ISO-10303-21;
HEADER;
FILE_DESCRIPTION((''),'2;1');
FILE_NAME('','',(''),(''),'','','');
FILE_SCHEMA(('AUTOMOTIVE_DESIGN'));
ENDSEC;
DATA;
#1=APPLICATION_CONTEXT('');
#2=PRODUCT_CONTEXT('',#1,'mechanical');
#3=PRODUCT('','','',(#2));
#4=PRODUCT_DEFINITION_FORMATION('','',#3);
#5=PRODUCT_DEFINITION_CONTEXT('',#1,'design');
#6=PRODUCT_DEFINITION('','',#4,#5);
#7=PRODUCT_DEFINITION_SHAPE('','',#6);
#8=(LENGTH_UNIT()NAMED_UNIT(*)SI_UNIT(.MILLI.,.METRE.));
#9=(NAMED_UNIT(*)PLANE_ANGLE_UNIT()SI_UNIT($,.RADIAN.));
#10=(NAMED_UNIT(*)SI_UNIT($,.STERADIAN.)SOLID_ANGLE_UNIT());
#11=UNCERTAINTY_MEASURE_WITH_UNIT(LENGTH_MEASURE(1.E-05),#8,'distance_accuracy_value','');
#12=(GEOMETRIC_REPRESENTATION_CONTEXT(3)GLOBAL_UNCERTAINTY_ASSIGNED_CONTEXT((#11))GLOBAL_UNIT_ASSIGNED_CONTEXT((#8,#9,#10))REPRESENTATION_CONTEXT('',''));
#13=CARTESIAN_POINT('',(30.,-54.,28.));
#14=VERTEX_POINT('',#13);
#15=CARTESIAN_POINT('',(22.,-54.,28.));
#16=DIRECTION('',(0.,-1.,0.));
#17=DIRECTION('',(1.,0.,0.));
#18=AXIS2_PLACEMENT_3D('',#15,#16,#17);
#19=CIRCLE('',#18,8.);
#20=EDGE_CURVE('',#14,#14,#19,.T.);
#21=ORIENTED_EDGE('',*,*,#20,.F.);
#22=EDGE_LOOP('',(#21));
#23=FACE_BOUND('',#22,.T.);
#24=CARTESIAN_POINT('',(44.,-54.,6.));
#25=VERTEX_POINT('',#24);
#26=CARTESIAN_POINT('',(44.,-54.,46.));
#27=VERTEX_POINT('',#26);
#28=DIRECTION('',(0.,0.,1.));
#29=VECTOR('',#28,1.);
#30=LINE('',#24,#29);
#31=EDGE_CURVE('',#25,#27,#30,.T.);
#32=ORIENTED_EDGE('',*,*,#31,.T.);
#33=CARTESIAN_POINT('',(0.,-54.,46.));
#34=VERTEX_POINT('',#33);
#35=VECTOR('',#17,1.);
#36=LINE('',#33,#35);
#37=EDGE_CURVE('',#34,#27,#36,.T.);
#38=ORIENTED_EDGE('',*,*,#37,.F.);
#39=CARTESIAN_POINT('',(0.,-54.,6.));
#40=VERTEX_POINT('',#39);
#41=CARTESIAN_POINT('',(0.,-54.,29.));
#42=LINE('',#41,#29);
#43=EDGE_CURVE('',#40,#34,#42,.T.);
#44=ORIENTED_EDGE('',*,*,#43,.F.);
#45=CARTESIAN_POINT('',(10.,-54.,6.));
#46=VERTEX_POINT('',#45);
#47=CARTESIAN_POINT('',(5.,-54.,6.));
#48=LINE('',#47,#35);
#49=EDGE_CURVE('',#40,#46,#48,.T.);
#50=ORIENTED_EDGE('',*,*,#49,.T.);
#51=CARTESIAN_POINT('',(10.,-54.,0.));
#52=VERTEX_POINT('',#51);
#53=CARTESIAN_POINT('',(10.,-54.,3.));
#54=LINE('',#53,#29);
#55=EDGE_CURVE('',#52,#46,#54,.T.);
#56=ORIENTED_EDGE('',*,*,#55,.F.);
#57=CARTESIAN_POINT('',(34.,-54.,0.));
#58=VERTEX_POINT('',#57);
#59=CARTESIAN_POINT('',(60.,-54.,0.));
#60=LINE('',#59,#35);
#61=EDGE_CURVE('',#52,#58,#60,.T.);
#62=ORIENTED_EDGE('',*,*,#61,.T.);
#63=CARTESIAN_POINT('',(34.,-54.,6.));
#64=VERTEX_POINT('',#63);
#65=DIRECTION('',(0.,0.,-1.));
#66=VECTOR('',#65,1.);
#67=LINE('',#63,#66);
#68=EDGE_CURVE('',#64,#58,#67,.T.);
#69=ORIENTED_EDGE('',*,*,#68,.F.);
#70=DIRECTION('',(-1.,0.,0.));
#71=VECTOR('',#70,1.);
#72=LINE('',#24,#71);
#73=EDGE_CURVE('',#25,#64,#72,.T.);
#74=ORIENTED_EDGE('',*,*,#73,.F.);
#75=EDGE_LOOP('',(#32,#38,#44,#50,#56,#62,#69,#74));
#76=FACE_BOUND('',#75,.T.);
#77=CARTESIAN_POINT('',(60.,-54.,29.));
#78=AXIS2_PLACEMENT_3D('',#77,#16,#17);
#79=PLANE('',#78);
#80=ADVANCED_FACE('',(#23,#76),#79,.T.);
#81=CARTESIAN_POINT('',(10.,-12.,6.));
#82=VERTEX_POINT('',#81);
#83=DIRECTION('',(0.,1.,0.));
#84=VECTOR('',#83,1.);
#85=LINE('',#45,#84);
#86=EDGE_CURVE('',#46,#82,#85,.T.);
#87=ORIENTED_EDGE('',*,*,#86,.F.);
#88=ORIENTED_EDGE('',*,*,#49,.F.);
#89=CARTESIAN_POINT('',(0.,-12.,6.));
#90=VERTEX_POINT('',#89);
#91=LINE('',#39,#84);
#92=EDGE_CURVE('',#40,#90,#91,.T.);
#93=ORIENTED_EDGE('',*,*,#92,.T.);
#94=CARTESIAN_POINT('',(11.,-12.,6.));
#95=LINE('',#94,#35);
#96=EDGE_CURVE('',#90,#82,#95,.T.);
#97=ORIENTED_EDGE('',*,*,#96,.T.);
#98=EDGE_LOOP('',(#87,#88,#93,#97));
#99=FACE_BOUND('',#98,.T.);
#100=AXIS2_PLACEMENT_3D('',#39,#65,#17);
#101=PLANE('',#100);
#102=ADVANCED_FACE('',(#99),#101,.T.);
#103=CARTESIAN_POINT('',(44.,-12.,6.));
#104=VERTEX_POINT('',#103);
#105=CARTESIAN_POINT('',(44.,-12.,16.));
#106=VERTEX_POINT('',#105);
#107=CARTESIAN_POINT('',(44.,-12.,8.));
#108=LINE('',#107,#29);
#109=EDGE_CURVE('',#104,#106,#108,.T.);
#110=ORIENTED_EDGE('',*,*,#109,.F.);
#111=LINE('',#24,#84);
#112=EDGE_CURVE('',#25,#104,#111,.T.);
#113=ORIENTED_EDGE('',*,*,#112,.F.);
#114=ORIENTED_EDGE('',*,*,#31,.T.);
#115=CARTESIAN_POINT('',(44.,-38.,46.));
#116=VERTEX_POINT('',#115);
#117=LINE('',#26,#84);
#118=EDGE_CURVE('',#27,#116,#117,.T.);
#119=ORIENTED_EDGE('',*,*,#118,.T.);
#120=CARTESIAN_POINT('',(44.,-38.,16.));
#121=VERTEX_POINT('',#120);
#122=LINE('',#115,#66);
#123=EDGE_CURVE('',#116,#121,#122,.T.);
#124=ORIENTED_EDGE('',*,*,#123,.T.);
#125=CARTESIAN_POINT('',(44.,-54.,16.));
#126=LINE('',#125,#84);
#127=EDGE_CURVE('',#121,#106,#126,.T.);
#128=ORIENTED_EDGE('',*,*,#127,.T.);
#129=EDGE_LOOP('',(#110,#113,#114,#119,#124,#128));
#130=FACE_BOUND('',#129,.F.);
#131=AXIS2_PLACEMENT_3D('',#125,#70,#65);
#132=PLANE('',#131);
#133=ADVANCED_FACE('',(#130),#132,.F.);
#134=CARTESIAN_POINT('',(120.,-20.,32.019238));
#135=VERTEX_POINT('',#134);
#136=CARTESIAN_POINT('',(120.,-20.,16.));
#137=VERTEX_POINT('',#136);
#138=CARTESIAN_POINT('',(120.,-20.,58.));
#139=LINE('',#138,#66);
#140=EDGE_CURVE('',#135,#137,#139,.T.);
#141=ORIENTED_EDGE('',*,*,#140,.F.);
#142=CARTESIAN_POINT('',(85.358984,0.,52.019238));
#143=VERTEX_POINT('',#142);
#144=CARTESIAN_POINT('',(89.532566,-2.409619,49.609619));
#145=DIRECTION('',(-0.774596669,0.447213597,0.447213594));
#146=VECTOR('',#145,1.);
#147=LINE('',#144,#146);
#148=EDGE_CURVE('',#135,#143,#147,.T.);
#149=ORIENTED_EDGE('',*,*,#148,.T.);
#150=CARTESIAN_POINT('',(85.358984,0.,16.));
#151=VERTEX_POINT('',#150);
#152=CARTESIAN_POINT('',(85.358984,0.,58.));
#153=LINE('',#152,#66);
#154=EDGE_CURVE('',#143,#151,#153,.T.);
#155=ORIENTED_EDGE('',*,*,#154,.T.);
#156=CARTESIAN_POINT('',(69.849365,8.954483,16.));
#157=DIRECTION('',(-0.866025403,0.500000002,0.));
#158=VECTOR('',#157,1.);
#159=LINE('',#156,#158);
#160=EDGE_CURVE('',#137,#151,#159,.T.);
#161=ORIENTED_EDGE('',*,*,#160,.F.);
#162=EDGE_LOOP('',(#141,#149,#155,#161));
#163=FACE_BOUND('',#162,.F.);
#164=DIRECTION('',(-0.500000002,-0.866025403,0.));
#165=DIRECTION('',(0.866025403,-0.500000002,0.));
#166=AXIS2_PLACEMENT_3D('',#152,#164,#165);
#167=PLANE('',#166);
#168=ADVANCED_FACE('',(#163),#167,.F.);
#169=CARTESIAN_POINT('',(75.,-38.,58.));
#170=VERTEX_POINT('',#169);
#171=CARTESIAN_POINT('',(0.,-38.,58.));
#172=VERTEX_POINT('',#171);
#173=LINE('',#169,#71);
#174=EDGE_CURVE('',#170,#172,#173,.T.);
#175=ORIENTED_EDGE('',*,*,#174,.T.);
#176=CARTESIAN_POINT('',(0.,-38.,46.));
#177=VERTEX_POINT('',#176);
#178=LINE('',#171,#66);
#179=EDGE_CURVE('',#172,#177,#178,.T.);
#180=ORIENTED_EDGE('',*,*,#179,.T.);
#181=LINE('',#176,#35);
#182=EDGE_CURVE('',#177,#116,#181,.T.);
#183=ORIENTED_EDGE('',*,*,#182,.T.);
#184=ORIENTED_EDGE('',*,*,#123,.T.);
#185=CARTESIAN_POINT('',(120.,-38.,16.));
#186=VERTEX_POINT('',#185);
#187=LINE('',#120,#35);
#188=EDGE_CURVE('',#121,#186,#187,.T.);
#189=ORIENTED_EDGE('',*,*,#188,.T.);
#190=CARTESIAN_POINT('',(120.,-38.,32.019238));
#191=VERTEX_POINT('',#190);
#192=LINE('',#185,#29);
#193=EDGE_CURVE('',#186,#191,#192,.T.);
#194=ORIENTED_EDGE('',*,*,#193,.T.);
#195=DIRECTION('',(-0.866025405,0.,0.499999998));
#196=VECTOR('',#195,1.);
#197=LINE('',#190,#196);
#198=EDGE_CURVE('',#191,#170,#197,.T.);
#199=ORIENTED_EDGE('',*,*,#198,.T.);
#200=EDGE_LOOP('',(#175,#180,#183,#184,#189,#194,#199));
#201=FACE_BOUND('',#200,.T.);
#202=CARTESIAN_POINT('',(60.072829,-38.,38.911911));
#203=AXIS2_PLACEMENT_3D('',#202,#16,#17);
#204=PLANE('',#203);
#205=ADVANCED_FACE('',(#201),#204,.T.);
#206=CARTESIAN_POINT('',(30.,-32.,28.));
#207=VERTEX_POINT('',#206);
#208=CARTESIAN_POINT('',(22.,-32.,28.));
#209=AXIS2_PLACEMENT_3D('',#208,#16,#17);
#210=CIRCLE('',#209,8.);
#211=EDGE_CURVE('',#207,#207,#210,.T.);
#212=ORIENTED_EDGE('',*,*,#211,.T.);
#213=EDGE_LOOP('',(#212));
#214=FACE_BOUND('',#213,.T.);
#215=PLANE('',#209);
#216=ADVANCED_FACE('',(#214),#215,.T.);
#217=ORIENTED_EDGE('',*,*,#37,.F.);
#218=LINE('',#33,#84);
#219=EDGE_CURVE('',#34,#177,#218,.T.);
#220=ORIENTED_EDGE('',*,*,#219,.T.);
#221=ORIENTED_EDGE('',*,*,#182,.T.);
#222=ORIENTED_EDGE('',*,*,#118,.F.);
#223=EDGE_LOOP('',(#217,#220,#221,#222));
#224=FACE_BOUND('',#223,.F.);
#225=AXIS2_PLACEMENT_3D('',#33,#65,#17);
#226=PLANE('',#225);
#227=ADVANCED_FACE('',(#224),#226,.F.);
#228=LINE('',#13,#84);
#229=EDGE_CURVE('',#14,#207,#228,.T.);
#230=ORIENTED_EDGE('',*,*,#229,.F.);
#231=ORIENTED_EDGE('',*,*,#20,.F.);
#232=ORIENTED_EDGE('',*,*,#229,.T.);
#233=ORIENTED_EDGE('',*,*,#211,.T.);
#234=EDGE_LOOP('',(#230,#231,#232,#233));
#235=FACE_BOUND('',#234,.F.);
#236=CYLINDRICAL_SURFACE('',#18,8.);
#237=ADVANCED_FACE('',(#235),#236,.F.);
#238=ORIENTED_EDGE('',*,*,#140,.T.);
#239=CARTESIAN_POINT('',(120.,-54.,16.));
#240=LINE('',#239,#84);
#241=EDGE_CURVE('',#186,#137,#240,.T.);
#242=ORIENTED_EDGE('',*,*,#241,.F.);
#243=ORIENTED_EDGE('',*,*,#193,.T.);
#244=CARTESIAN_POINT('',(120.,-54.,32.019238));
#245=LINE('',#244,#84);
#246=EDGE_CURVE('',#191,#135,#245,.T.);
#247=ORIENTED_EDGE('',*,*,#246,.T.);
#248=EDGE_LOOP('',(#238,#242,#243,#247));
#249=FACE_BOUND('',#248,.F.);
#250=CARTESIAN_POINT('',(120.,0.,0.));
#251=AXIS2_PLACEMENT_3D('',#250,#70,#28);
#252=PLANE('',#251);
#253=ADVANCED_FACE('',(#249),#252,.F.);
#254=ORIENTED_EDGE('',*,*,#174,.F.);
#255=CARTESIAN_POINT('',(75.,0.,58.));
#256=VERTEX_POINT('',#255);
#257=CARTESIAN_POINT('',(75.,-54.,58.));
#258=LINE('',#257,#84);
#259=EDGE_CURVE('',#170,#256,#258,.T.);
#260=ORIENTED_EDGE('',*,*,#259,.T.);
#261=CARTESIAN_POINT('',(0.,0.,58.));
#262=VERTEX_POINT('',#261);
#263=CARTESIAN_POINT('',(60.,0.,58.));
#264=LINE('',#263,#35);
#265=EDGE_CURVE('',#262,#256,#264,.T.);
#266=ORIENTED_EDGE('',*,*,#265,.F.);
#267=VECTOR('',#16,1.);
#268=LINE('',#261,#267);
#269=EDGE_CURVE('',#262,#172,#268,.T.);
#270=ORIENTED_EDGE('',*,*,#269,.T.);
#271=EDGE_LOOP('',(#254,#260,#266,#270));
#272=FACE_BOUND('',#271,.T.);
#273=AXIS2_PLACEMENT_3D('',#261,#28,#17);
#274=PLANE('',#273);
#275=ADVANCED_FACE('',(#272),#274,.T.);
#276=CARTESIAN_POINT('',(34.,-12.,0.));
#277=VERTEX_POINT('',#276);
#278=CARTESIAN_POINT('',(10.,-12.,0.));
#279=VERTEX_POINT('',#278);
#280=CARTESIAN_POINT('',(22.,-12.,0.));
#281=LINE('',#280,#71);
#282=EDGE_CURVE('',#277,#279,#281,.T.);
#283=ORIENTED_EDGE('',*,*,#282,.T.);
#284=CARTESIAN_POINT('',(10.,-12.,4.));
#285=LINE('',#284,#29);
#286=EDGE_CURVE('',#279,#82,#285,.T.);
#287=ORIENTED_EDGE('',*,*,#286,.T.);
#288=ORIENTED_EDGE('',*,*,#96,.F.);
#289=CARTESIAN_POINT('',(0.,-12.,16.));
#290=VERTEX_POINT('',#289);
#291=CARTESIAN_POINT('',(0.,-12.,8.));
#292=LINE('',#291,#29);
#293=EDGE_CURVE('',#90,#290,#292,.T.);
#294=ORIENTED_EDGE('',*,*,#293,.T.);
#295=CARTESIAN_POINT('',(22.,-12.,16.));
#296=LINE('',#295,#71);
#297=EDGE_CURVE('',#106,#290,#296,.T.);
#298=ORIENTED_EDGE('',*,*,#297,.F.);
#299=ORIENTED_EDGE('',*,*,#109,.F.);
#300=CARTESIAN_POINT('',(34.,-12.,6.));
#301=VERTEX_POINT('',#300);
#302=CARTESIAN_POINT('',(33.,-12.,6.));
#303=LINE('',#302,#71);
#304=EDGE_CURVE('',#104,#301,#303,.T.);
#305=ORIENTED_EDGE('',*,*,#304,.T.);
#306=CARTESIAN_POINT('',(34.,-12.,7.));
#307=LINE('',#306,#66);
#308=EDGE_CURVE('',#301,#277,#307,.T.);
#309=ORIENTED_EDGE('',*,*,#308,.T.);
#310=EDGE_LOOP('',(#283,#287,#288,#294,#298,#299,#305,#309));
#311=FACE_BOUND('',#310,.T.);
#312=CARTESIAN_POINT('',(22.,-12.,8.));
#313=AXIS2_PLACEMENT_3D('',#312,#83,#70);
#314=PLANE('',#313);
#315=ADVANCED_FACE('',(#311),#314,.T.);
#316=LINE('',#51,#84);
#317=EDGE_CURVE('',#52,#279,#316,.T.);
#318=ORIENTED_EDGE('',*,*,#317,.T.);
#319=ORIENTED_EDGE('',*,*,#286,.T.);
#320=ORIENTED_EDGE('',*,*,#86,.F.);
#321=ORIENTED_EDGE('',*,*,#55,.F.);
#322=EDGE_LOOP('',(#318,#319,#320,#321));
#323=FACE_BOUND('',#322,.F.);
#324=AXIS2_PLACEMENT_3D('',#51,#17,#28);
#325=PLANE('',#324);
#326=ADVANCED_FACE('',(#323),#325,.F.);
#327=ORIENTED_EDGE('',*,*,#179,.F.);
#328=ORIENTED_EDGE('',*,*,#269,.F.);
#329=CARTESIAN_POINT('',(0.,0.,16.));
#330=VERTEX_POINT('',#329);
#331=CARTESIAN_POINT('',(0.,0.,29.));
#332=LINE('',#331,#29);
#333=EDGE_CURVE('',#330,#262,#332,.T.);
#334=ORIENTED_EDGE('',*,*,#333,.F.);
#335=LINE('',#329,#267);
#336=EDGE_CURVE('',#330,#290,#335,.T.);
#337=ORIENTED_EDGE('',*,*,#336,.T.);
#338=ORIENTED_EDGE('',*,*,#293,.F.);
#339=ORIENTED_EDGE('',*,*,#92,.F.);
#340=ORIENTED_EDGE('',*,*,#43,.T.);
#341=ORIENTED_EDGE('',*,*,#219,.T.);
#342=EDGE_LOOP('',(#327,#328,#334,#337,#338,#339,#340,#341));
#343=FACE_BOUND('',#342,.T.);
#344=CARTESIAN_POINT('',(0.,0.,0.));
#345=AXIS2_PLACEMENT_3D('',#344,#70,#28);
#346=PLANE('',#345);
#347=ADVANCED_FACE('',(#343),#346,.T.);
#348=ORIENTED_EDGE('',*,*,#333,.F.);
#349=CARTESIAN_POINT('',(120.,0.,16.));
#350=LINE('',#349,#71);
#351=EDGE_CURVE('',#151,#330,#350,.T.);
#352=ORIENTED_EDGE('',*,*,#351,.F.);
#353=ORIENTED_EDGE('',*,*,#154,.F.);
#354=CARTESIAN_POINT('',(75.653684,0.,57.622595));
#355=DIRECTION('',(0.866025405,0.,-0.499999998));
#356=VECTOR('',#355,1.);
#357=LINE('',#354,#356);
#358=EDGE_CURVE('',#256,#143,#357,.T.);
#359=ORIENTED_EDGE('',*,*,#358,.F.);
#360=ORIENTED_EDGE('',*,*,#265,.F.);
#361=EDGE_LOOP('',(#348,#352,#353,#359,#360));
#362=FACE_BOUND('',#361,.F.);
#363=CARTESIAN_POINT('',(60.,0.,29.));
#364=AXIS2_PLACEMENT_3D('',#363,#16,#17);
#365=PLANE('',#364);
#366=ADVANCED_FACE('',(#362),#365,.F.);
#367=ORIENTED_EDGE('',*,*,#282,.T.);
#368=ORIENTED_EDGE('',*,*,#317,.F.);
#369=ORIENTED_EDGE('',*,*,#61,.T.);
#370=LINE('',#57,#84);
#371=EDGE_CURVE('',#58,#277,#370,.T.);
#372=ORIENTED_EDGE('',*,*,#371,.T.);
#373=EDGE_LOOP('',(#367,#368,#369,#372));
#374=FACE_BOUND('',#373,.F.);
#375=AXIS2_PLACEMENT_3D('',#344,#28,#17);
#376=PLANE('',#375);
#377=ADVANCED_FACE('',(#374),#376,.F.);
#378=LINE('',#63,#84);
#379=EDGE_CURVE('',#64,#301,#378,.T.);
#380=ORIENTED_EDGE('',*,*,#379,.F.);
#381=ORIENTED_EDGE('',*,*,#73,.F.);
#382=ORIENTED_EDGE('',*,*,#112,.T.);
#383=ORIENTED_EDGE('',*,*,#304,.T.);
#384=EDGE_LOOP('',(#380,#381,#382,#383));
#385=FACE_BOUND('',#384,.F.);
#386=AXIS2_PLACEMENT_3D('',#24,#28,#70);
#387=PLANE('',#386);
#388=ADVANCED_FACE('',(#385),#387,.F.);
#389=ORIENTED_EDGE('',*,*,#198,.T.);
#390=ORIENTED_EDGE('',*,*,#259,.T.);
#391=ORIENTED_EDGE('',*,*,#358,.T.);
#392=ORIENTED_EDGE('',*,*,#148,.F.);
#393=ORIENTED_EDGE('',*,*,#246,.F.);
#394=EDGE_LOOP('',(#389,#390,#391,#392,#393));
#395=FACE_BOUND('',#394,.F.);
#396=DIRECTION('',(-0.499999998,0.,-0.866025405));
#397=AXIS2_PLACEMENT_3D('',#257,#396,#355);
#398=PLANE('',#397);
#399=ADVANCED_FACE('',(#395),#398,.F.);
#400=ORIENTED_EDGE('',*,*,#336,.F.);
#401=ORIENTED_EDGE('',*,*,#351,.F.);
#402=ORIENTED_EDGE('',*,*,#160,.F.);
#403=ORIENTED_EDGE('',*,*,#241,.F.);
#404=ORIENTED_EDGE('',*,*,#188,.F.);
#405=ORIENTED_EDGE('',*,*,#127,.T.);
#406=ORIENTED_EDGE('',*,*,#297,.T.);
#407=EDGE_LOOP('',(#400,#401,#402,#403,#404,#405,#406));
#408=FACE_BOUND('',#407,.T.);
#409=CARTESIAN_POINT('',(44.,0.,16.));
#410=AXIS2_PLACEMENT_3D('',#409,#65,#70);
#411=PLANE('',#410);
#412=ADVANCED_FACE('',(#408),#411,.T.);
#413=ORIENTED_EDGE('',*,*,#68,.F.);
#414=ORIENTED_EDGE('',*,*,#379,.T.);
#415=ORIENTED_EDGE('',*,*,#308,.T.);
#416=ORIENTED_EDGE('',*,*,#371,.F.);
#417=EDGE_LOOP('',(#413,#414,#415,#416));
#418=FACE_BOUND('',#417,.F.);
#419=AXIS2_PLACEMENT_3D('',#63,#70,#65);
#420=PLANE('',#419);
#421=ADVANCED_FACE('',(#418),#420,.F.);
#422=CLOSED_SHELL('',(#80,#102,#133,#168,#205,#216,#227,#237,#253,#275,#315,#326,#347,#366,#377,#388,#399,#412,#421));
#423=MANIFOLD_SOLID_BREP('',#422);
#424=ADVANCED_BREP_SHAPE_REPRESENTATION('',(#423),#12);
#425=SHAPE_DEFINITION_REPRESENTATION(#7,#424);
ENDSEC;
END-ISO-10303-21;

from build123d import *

# Parameters (mm, degrees)
F0_W      = 120
F0_H      = 58
F1_DEPTH  = 54
F2_W      = 10
F2_H      = 6
F3_DEPTH  = 54.001
F5_DEPTH  = 16
F6_R      = 8
F7_DEPTH  = 22
F8_W      = 44
F8_H      = 16
F9_DEPTH  = 12
F11_DEPTH = 58.001


with BuildPart() as f1:
    # F0 (on Front) → F1 (new body)
    with BuildSketch(Plane.XZ):
        with Locations((60, 29)):
            Rectangle(F0_W, F0_H)
    extrude(amount=F1_DEPTH)

    # F2 (on face) → F3 (cut, through all)
    with BuildSketch(Plane.XZ.offset(54)):
        Polygon((34, 6), (34, 0), (120, 0), (120, 16), (44, 16), (44, 6), align=None)
        Polygon((120, 58), (75, 58), (120, 32.019238), align=None)
        with Locations((5, 3)):
            Rectangle(F2_W, F2_H)
    extrude(amount=-F3_DEPTH, mode=Mode.SUBTRACT)

    # F4 (on face) → F5 (cut)
    with BuildSketch(Plane.XZ.offset(54)):
        Polygon((75, 58), (0, 58), (0, 46), (44, 46), (44, 16), (120, 16), (120, 32.019238), align=None)
    extrude(amount=-F5_DEPTH, mode=Mode.SUBTRACT)

    # F6 (on face) → F7 (cut)
    with BuildSketch(Plane.XZ.offset(54)):
        with Locations((22, 28)):
            Circle(F6_R)
    extrude(amount=-F7_DEPTH, mode=Mode.SUBTRACT)

    # F8 (on face) → F9 (cut)
    with BuildSketch(Plane(origin=(0, 0, 0), x_dir=(-1, 0, 0), z_dir=(0, 1, 0))):
        with Locations((-22, 8)):
            Rectangle(F8_W, F8_H)
    extrude(amount=-F9_DEPTH, mode=Mode.SUBTRACT)

    # F10 (on face) → F11 (cut, through all)
    with BuildSketch(Plane.XY.offset(58)):
        Polygon((85.358984, 0), (120, -20), (120, 0), align=None)
    extrude(amount=-F11_DEPTH, mode=Mode.SUBTRACT)


solid = f1.part
